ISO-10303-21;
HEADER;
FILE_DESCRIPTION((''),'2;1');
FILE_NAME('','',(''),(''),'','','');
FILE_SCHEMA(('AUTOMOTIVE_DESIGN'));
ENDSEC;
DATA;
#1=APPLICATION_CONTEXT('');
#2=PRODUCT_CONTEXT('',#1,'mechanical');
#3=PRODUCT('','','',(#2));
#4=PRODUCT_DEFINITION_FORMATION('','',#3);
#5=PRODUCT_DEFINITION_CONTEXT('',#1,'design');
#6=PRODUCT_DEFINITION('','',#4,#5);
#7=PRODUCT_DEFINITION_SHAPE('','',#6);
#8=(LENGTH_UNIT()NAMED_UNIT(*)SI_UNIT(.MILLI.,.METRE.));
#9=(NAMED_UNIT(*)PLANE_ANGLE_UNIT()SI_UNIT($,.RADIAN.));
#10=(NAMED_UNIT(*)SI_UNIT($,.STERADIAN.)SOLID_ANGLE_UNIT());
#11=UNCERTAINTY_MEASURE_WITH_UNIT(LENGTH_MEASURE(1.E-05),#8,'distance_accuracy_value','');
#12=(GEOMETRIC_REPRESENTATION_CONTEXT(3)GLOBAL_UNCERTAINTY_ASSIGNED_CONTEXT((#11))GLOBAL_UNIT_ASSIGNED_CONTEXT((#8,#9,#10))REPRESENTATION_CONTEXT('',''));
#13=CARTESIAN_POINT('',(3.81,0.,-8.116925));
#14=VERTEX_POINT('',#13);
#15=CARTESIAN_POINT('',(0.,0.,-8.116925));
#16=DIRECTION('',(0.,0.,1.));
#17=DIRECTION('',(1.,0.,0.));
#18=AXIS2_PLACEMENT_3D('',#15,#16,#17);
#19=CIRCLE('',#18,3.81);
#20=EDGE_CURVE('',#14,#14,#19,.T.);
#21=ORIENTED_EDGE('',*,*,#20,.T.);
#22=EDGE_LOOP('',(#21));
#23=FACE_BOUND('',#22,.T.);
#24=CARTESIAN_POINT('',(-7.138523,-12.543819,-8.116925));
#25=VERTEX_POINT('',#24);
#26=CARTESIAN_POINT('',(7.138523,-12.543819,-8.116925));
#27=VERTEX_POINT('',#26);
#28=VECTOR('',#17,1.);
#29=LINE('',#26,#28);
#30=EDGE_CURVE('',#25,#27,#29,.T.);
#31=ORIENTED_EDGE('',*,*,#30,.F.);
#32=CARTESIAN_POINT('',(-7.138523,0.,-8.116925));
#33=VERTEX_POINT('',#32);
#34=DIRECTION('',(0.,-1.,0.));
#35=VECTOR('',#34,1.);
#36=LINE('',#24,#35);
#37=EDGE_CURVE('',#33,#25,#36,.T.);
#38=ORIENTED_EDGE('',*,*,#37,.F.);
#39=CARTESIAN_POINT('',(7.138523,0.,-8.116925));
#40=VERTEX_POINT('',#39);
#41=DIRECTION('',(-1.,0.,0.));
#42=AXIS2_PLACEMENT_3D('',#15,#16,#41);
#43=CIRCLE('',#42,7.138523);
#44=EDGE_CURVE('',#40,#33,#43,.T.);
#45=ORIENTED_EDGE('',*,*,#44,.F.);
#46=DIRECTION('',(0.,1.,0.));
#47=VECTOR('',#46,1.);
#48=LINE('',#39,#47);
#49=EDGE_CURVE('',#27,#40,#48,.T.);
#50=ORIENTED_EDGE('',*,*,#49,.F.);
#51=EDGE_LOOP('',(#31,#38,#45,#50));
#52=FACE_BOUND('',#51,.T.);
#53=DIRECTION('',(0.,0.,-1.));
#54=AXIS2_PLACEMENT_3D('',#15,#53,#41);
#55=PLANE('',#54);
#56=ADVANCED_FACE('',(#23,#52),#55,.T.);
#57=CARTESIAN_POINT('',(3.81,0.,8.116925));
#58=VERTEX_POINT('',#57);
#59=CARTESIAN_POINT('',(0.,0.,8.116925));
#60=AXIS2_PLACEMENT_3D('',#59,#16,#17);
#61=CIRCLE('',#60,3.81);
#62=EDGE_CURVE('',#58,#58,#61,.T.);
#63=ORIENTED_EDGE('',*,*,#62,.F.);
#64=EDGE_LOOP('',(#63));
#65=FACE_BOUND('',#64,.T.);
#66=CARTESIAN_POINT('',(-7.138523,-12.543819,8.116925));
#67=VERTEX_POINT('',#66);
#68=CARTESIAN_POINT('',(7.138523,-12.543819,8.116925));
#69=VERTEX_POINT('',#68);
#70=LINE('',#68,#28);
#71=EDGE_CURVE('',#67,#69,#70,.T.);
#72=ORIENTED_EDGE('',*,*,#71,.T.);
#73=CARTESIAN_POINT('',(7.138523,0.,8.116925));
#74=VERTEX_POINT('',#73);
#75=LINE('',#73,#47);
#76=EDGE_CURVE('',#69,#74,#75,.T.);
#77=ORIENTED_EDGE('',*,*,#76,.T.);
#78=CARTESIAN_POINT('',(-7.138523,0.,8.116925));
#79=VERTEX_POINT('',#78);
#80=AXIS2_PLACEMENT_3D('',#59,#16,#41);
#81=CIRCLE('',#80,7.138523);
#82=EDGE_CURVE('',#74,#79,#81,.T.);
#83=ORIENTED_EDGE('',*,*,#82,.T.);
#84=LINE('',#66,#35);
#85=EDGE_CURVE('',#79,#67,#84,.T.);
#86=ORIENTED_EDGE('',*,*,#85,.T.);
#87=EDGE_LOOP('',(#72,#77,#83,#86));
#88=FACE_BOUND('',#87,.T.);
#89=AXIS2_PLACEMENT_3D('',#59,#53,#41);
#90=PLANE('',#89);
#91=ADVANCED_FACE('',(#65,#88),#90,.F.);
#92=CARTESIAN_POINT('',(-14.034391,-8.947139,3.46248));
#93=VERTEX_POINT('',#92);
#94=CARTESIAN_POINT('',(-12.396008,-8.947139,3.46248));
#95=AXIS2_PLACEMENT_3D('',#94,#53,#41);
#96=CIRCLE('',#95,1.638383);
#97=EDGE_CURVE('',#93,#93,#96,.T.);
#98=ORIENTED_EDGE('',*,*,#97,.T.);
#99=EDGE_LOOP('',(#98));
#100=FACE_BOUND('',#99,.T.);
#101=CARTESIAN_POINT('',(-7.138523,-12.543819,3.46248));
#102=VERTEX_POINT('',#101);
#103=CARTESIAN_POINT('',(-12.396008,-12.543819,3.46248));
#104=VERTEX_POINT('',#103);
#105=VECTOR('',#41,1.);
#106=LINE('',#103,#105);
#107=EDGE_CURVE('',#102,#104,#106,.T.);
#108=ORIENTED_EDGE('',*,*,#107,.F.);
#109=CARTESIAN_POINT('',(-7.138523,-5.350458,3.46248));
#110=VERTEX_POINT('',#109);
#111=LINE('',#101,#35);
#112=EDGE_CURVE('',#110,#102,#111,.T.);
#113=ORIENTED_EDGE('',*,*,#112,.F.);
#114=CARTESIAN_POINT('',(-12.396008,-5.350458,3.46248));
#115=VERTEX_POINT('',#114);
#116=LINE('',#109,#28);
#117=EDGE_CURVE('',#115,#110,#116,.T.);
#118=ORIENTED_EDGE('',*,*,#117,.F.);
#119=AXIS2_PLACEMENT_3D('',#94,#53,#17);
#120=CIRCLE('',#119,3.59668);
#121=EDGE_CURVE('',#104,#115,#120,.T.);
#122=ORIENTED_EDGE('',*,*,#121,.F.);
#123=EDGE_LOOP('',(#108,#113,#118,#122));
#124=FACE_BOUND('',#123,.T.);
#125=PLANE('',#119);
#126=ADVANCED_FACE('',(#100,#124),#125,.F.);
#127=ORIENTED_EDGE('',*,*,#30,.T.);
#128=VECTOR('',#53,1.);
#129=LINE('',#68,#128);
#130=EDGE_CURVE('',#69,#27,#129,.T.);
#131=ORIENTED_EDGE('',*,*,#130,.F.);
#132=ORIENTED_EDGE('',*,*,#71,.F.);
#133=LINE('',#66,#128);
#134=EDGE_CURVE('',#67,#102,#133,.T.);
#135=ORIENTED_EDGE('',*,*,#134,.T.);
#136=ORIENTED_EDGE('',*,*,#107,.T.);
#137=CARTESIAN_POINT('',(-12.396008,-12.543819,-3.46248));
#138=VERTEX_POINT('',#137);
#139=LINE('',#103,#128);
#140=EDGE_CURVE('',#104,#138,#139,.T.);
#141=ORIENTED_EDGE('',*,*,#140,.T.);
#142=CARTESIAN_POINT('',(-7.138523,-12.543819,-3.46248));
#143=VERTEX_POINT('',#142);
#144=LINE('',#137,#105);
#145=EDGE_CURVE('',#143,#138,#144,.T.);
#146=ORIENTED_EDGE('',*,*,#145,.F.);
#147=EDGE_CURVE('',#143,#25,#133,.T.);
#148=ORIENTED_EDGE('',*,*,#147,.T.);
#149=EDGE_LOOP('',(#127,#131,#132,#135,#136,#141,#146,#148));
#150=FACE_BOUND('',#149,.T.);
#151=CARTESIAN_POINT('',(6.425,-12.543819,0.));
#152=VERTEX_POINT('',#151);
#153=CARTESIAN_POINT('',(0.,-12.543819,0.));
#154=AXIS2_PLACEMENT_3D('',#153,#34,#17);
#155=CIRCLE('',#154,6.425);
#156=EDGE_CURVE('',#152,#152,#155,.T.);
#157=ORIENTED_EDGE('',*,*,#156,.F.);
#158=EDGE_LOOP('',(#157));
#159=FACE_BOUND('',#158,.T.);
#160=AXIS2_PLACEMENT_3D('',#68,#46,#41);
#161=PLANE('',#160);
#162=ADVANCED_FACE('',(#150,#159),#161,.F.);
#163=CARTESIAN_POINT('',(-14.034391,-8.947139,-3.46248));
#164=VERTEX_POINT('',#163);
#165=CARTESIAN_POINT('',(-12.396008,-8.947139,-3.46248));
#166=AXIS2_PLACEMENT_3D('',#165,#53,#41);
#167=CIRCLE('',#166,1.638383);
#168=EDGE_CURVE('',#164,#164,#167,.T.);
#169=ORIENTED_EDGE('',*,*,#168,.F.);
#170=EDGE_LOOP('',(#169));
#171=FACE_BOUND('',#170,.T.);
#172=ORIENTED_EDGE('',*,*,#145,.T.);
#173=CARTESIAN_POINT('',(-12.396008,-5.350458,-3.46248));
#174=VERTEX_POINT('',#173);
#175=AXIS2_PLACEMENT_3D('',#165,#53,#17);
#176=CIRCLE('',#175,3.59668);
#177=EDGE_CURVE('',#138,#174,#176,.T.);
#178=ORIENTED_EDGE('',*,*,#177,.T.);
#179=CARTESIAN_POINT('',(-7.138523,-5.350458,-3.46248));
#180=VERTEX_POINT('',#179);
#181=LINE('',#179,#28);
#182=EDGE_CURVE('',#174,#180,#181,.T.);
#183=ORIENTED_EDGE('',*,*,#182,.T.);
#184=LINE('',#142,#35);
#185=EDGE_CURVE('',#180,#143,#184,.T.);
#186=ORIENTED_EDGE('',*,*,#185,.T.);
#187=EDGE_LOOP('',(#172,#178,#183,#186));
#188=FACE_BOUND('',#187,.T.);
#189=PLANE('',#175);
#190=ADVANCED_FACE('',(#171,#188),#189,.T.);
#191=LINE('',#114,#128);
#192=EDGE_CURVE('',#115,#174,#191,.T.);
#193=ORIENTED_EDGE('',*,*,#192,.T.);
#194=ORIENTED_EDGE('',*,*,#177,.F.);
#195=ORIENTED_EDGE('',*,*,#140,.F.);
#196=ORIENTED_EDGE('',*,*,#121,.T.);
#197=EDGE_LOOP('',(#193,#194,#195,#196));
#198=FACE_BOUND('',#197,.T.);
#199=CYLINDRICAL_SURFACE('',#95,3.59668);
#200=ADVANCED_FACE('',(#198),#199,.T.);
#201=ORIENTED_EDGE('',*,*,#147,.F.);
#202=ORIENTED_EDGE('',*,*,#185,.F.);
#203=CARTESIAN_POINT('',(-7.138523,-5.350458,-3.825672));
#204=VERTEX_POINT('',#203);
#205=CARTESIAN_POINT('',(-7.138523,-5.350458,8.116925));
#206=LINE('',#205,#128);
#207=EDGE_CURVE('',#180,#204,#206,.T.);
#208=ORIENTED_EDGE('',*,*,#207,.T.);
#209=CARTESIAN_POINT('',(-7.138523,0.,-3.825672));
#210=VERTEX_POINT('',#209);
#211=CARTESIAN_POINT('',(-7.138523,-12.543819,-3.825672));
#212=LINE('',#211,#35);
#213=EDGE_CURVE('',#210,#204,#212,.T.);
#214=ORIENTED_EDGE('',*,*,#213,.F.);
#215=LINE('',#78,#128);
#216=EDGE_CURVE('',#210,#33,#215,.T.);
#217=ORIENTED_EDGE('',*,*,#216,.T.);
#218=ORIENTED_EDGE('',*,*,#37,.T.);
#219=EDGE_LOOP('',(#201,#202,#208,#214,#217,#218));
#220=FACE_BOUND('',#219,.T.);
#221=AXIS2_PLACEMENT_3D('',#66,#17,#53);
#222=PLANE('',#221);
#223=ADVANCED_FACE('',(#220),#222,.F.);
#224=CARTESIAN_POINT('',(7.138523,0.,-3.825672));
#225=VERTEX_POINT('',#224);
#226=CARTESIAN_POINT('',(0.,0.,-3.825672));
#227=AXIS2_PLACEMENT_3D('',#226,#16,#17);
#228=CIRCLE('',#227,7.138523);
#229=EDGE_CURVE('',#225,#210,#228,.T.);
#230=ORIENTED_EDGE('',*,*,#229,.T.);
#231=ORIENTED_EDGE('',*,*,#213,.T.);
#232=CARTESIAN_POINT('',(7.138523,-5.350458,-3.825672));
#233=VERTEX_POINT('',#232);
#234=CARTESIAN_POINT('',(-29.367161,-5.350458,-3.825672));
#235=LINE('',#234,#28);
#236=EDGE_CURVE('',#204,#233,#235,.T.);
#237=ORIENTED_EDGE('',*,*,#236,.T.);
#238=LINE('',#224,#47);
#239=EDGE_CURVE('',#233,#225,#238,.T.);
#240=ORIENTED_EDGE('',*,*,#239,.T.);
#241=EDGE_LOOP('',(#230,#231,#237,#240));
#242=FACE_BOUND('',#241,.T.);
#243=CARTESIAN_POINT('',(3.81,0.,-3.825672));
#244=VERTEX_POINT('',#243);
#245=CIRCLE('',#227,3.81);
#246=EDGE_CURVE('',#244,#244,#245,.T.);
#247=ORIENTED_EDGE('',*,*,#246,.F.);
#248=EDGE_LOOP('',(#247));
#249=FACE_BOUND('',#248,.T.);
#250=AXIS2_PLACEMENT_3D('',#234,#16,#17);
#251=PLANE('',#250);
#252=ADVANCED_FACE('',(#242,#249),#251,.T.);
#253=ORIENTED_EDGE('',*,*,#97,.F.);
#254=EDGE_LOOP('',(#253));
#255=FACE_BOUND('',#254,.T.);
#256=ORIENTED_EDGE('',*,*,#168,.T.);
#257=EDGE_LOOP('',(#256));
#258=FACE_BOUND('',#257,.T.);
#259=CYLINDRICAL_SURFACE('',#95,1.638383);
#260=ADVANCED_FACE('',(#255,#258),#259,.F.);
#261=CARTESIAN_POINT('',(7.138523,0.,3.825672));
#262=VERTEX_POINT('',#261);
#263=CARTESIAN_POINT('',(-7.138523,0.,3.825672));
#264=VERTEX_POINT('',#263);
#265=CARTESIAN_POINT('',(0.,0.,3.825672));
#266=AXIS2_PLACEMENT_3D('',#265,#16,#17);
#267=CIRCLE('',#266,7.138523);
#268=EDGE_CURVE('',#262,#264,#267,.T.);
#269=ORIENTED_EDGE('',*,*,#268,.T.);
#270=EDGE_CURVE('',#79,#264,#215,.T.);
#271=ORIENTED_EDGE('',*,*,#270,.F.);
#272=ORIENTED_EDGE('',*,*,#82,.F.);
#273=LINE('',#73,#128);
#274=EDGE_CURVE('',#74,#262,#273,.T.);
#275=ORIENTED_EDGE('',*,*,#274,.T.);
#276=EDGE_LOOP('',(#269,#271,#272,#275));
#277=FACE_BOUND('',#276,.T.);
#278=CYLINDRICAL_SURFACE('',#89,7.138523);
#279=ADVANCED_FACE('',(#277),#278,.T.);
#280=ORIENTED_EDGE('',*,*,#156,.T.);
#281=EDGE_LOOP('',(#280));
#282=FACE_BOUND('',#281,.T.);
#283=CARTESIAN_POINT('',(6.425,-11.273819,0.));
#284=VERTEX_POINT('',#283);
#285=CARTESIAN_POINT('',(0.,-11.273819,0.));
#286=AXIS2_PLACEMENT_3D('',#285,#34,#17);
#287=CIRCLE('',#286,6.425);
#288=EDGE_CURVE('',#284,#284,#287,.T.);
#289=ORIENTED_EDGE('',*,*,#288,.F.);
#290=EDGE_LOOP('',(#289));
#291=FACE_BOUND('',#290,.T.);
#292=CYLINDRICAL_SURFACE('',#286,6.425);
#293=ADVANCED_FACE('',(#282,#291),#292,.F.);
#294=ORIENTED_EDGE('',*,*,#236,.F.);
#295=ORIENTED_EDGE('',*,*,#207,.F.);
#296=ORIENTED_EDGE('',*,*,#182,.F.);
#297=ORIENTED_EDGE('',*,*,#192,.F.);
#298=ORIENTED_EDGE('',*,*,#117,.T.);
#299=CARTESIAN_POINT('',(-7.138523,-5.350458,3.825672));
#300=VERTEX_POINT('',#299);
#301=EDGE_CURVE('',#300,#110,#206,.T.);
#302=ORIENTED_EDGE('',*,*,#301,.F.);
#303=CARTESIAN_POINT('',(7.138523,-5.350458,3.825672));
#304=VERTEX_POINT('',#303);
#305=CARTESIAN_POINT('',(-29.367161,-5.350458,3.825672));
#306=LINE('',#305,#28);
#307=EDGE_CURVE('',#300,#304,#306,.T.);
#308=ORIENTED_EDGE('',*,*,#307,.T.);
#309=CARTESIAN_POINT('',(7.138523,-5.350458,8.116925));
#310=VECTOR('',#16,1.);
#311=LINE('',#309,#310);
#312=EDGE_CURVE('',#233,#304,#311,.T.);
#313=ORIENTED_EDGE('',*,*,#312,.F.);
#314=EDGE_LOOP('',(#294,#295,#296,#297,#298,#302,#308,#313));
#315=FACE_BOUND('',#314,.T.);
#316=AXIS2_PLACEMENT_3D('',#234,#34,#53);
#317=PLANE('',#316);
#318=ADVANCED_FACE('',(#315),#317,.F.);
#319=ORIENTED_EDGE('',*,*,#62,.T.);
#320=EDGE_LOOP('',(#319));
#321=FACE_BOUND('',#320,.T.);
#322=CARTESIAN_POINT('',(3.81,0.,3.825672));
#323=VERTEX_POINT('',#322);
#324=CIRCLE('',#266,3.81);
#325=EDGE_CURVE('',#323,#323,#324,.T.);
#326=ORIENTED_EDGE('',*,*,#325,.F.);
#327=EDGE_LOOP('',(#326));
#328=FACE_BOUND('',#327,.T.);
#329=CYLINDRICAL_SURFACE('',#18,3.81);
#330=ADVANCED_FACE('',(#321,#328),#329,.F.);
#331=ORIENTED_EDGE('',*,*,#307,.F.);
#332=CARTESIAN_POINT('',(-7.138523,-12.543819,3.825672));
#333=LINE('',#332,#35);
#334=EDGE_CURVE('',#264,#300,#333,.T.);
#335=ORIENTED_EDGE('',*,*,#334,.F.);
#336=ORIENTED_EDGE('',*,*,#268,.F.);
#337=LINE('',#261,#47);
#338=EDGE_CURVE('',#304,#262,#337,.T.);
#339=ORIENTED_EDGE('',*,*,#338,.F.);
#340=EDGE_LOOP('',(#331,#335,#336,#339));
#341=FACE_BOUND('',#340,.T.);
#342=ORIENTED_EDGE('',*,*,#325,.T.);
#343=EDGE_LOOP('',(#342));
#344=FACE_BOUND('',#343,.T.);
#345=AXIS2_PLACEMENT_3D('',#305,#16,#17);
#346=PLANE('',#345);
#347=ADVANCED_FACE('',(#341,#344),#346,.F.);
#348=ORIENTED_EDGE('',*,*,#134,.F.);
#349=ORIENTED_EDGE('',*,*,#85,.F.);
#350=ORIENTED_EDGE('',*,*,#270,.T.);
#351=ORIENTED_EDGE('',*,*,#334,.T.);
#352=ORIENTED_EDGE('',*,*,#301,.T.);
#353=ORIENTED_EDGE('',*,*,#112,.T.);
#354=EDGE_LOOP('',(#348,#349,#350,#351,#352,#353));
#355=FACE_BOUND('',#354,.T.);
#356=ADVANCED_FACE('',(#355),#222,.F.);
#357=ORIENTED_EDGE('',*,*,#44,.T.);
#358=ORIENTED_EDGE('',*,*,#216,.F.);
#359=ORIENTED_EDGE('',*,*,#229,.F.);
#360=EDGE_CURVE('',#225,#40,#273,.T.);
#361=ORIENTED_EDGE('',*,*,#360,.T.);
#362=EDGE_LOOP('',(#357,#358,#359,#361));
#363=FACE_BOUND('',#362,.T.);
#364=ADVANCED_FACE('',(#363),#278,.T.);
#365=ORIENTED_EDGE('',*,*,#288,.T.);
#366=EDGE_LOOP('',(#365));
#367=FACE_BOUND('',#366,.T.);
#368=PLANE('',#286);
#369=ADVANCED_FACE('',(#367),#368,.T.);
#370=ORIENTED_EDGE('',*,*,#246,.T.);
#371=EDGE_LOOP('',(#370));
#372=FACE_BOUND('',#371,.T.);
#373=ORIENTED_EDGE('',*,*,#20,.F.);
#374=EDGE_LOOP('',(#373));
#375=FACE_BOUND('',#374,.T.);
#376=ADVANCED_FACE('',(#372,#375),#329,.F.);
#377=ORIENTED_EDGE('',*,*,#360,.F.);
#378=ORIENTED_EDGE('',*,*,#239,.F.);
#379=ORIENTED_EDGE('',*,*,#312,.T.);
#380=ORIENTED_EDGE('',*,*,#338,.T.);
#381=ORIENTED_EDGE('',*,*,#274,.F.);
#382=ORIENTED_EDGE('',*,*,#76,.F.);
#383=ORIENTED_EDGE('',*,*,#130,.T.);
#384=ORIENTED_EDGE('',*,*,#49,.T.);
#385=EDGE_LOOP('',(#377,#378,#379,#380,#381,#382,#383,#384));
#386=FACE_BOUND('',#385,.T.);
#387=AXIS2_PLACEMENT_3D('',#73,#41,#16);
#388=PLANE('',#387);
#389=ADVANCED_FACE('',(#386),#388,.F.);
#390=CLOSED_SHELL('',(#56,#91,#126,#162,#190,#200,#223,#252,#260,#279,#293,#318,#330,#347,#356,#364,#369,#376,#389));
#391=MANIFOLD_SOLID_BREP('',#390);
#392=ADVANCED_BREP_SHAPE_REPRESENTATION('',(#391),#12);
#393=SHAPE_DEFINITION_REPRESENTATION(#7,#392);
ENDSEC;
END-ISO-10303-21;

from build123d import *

# Parameters (mm, degrees)
EXTRUDE1_DEPTH     = 8.116924898
SKETCH2_W          = 56.161836645
SKETCH2_H          = 29.756220801
EXTRUDE2_DEPTH     = 3.825672251
SKETCH3_R          = 3.81
EXTRUDE3_DEPTH     = 22.721965672
SKETCH4_R          = 6.425
CUT_EXTRUDE1_DEPTH = 1.27
SKETCH6_R          = 1.638383055
EXTRUDE4_DEPTH     = 3.462479646
EXTRUDE5_DEPTH     = 24.392223233


with BuildPart() as part:
    # Sketch1 → Extrude1 (new, symmetric)
    with BuildSketch(Plane.XY):
        with BuildLine():
            Line((-7.138522943, -12.54381934), (-7.138522943, 0))
            ThreePointArc((-7.138522943, 0), (0, 7.138522943), (7.138522943, 0))
            Line((7.138522943, 0), (7.138522943, -12.54381934))
            Line((7.138522943, -12.54381934), (-7.138522943, -12.54381934))
        make_face()
    extrude(amount=EXTRUDE1_DEPTH, both=True)

    # Sketch2 → Extrude2 (cut, symmetric)
    with BuildSketch(Plane.XY):
        with Locations((-1.286243087, 9.527651968)):
            Rectangle(SKETCH2_W, SKETCH2_H)
    extrude(amount=EXTRUDE2_DEPTH, both=True, mode=Mode.SUBTRACT)

    # Sketch3 → Extrude3 (cut, through all)
    with BuildSketch(Plane.XY.offset(8.116924898)):
        Circle(SKETCH3_R)
    extrude(amount=-EXTRUDE3_DEPTH, mode=Mode.SUBTRACT)

    # Sketch4 → Cut-Extrude1 (cut)
    with BuildSketch(Plane.XZ.offset(12.54381934)):
        Circle(SKETCH4_R)
    extrude(amount=-CUT_EXTRUDE1_DEPTH, mode=Mode.SUBTRACT)

    # Sketch6 → Extrude4 (add, symmetric)
    with BuildSketch(Plane.XY):
        with BuildLine():
            Line((7.138522943, -12.54381934), (7.138522943, -5.350458433))
            Line((7.138522943, -5.350458433), (12.396008331, -5.350458433))
            ThreePointArc((12.396008331, -5.350458433), (15.992688785, -8.947138887), (12.396008331, -12.54381934))
            Line((12.396008331, -12.54381934), (7.138522943, -12.54381934))
        make_face()
        with Locations((12.396008331, -8.947138887)):
            Circle(SKETCH6_R, mode=Mode.SUBTRACT)
    extrude4 = extrude(amount=EXTRUDE4_DEPTH, both=True)

    # Mirror1: Extrude4 across plane
    add(extrude4.mirror(Plane(origin=(0, 0, 0), x_dir=(0, 0, 1), z_dir=(1, 0, 0))))

    # Sketch7 → Extrude5 (cut, through all)
    with BuildSketch(Plane.XY.offset(3.462479646)):
        with BuildLine():
            Line((7.138522943, -12.54381934), (12.396008331, -12.54381934))
            ThreePointArc((12.396008331, -12.54381934), (15.992688785, -8.947138887), (12.396008331, -5.350458433))
            Line((12.396008331, -5.350458433), (7.138522943, -5.350458433))
            Line((7.138522943, -5.350458433), (7.138522943, -12.54381934))
        make_face()
    extrude(amount=-EXTRUDE5_DEPTH, mode=Mode.SUBTRACT)


solid = part.part
